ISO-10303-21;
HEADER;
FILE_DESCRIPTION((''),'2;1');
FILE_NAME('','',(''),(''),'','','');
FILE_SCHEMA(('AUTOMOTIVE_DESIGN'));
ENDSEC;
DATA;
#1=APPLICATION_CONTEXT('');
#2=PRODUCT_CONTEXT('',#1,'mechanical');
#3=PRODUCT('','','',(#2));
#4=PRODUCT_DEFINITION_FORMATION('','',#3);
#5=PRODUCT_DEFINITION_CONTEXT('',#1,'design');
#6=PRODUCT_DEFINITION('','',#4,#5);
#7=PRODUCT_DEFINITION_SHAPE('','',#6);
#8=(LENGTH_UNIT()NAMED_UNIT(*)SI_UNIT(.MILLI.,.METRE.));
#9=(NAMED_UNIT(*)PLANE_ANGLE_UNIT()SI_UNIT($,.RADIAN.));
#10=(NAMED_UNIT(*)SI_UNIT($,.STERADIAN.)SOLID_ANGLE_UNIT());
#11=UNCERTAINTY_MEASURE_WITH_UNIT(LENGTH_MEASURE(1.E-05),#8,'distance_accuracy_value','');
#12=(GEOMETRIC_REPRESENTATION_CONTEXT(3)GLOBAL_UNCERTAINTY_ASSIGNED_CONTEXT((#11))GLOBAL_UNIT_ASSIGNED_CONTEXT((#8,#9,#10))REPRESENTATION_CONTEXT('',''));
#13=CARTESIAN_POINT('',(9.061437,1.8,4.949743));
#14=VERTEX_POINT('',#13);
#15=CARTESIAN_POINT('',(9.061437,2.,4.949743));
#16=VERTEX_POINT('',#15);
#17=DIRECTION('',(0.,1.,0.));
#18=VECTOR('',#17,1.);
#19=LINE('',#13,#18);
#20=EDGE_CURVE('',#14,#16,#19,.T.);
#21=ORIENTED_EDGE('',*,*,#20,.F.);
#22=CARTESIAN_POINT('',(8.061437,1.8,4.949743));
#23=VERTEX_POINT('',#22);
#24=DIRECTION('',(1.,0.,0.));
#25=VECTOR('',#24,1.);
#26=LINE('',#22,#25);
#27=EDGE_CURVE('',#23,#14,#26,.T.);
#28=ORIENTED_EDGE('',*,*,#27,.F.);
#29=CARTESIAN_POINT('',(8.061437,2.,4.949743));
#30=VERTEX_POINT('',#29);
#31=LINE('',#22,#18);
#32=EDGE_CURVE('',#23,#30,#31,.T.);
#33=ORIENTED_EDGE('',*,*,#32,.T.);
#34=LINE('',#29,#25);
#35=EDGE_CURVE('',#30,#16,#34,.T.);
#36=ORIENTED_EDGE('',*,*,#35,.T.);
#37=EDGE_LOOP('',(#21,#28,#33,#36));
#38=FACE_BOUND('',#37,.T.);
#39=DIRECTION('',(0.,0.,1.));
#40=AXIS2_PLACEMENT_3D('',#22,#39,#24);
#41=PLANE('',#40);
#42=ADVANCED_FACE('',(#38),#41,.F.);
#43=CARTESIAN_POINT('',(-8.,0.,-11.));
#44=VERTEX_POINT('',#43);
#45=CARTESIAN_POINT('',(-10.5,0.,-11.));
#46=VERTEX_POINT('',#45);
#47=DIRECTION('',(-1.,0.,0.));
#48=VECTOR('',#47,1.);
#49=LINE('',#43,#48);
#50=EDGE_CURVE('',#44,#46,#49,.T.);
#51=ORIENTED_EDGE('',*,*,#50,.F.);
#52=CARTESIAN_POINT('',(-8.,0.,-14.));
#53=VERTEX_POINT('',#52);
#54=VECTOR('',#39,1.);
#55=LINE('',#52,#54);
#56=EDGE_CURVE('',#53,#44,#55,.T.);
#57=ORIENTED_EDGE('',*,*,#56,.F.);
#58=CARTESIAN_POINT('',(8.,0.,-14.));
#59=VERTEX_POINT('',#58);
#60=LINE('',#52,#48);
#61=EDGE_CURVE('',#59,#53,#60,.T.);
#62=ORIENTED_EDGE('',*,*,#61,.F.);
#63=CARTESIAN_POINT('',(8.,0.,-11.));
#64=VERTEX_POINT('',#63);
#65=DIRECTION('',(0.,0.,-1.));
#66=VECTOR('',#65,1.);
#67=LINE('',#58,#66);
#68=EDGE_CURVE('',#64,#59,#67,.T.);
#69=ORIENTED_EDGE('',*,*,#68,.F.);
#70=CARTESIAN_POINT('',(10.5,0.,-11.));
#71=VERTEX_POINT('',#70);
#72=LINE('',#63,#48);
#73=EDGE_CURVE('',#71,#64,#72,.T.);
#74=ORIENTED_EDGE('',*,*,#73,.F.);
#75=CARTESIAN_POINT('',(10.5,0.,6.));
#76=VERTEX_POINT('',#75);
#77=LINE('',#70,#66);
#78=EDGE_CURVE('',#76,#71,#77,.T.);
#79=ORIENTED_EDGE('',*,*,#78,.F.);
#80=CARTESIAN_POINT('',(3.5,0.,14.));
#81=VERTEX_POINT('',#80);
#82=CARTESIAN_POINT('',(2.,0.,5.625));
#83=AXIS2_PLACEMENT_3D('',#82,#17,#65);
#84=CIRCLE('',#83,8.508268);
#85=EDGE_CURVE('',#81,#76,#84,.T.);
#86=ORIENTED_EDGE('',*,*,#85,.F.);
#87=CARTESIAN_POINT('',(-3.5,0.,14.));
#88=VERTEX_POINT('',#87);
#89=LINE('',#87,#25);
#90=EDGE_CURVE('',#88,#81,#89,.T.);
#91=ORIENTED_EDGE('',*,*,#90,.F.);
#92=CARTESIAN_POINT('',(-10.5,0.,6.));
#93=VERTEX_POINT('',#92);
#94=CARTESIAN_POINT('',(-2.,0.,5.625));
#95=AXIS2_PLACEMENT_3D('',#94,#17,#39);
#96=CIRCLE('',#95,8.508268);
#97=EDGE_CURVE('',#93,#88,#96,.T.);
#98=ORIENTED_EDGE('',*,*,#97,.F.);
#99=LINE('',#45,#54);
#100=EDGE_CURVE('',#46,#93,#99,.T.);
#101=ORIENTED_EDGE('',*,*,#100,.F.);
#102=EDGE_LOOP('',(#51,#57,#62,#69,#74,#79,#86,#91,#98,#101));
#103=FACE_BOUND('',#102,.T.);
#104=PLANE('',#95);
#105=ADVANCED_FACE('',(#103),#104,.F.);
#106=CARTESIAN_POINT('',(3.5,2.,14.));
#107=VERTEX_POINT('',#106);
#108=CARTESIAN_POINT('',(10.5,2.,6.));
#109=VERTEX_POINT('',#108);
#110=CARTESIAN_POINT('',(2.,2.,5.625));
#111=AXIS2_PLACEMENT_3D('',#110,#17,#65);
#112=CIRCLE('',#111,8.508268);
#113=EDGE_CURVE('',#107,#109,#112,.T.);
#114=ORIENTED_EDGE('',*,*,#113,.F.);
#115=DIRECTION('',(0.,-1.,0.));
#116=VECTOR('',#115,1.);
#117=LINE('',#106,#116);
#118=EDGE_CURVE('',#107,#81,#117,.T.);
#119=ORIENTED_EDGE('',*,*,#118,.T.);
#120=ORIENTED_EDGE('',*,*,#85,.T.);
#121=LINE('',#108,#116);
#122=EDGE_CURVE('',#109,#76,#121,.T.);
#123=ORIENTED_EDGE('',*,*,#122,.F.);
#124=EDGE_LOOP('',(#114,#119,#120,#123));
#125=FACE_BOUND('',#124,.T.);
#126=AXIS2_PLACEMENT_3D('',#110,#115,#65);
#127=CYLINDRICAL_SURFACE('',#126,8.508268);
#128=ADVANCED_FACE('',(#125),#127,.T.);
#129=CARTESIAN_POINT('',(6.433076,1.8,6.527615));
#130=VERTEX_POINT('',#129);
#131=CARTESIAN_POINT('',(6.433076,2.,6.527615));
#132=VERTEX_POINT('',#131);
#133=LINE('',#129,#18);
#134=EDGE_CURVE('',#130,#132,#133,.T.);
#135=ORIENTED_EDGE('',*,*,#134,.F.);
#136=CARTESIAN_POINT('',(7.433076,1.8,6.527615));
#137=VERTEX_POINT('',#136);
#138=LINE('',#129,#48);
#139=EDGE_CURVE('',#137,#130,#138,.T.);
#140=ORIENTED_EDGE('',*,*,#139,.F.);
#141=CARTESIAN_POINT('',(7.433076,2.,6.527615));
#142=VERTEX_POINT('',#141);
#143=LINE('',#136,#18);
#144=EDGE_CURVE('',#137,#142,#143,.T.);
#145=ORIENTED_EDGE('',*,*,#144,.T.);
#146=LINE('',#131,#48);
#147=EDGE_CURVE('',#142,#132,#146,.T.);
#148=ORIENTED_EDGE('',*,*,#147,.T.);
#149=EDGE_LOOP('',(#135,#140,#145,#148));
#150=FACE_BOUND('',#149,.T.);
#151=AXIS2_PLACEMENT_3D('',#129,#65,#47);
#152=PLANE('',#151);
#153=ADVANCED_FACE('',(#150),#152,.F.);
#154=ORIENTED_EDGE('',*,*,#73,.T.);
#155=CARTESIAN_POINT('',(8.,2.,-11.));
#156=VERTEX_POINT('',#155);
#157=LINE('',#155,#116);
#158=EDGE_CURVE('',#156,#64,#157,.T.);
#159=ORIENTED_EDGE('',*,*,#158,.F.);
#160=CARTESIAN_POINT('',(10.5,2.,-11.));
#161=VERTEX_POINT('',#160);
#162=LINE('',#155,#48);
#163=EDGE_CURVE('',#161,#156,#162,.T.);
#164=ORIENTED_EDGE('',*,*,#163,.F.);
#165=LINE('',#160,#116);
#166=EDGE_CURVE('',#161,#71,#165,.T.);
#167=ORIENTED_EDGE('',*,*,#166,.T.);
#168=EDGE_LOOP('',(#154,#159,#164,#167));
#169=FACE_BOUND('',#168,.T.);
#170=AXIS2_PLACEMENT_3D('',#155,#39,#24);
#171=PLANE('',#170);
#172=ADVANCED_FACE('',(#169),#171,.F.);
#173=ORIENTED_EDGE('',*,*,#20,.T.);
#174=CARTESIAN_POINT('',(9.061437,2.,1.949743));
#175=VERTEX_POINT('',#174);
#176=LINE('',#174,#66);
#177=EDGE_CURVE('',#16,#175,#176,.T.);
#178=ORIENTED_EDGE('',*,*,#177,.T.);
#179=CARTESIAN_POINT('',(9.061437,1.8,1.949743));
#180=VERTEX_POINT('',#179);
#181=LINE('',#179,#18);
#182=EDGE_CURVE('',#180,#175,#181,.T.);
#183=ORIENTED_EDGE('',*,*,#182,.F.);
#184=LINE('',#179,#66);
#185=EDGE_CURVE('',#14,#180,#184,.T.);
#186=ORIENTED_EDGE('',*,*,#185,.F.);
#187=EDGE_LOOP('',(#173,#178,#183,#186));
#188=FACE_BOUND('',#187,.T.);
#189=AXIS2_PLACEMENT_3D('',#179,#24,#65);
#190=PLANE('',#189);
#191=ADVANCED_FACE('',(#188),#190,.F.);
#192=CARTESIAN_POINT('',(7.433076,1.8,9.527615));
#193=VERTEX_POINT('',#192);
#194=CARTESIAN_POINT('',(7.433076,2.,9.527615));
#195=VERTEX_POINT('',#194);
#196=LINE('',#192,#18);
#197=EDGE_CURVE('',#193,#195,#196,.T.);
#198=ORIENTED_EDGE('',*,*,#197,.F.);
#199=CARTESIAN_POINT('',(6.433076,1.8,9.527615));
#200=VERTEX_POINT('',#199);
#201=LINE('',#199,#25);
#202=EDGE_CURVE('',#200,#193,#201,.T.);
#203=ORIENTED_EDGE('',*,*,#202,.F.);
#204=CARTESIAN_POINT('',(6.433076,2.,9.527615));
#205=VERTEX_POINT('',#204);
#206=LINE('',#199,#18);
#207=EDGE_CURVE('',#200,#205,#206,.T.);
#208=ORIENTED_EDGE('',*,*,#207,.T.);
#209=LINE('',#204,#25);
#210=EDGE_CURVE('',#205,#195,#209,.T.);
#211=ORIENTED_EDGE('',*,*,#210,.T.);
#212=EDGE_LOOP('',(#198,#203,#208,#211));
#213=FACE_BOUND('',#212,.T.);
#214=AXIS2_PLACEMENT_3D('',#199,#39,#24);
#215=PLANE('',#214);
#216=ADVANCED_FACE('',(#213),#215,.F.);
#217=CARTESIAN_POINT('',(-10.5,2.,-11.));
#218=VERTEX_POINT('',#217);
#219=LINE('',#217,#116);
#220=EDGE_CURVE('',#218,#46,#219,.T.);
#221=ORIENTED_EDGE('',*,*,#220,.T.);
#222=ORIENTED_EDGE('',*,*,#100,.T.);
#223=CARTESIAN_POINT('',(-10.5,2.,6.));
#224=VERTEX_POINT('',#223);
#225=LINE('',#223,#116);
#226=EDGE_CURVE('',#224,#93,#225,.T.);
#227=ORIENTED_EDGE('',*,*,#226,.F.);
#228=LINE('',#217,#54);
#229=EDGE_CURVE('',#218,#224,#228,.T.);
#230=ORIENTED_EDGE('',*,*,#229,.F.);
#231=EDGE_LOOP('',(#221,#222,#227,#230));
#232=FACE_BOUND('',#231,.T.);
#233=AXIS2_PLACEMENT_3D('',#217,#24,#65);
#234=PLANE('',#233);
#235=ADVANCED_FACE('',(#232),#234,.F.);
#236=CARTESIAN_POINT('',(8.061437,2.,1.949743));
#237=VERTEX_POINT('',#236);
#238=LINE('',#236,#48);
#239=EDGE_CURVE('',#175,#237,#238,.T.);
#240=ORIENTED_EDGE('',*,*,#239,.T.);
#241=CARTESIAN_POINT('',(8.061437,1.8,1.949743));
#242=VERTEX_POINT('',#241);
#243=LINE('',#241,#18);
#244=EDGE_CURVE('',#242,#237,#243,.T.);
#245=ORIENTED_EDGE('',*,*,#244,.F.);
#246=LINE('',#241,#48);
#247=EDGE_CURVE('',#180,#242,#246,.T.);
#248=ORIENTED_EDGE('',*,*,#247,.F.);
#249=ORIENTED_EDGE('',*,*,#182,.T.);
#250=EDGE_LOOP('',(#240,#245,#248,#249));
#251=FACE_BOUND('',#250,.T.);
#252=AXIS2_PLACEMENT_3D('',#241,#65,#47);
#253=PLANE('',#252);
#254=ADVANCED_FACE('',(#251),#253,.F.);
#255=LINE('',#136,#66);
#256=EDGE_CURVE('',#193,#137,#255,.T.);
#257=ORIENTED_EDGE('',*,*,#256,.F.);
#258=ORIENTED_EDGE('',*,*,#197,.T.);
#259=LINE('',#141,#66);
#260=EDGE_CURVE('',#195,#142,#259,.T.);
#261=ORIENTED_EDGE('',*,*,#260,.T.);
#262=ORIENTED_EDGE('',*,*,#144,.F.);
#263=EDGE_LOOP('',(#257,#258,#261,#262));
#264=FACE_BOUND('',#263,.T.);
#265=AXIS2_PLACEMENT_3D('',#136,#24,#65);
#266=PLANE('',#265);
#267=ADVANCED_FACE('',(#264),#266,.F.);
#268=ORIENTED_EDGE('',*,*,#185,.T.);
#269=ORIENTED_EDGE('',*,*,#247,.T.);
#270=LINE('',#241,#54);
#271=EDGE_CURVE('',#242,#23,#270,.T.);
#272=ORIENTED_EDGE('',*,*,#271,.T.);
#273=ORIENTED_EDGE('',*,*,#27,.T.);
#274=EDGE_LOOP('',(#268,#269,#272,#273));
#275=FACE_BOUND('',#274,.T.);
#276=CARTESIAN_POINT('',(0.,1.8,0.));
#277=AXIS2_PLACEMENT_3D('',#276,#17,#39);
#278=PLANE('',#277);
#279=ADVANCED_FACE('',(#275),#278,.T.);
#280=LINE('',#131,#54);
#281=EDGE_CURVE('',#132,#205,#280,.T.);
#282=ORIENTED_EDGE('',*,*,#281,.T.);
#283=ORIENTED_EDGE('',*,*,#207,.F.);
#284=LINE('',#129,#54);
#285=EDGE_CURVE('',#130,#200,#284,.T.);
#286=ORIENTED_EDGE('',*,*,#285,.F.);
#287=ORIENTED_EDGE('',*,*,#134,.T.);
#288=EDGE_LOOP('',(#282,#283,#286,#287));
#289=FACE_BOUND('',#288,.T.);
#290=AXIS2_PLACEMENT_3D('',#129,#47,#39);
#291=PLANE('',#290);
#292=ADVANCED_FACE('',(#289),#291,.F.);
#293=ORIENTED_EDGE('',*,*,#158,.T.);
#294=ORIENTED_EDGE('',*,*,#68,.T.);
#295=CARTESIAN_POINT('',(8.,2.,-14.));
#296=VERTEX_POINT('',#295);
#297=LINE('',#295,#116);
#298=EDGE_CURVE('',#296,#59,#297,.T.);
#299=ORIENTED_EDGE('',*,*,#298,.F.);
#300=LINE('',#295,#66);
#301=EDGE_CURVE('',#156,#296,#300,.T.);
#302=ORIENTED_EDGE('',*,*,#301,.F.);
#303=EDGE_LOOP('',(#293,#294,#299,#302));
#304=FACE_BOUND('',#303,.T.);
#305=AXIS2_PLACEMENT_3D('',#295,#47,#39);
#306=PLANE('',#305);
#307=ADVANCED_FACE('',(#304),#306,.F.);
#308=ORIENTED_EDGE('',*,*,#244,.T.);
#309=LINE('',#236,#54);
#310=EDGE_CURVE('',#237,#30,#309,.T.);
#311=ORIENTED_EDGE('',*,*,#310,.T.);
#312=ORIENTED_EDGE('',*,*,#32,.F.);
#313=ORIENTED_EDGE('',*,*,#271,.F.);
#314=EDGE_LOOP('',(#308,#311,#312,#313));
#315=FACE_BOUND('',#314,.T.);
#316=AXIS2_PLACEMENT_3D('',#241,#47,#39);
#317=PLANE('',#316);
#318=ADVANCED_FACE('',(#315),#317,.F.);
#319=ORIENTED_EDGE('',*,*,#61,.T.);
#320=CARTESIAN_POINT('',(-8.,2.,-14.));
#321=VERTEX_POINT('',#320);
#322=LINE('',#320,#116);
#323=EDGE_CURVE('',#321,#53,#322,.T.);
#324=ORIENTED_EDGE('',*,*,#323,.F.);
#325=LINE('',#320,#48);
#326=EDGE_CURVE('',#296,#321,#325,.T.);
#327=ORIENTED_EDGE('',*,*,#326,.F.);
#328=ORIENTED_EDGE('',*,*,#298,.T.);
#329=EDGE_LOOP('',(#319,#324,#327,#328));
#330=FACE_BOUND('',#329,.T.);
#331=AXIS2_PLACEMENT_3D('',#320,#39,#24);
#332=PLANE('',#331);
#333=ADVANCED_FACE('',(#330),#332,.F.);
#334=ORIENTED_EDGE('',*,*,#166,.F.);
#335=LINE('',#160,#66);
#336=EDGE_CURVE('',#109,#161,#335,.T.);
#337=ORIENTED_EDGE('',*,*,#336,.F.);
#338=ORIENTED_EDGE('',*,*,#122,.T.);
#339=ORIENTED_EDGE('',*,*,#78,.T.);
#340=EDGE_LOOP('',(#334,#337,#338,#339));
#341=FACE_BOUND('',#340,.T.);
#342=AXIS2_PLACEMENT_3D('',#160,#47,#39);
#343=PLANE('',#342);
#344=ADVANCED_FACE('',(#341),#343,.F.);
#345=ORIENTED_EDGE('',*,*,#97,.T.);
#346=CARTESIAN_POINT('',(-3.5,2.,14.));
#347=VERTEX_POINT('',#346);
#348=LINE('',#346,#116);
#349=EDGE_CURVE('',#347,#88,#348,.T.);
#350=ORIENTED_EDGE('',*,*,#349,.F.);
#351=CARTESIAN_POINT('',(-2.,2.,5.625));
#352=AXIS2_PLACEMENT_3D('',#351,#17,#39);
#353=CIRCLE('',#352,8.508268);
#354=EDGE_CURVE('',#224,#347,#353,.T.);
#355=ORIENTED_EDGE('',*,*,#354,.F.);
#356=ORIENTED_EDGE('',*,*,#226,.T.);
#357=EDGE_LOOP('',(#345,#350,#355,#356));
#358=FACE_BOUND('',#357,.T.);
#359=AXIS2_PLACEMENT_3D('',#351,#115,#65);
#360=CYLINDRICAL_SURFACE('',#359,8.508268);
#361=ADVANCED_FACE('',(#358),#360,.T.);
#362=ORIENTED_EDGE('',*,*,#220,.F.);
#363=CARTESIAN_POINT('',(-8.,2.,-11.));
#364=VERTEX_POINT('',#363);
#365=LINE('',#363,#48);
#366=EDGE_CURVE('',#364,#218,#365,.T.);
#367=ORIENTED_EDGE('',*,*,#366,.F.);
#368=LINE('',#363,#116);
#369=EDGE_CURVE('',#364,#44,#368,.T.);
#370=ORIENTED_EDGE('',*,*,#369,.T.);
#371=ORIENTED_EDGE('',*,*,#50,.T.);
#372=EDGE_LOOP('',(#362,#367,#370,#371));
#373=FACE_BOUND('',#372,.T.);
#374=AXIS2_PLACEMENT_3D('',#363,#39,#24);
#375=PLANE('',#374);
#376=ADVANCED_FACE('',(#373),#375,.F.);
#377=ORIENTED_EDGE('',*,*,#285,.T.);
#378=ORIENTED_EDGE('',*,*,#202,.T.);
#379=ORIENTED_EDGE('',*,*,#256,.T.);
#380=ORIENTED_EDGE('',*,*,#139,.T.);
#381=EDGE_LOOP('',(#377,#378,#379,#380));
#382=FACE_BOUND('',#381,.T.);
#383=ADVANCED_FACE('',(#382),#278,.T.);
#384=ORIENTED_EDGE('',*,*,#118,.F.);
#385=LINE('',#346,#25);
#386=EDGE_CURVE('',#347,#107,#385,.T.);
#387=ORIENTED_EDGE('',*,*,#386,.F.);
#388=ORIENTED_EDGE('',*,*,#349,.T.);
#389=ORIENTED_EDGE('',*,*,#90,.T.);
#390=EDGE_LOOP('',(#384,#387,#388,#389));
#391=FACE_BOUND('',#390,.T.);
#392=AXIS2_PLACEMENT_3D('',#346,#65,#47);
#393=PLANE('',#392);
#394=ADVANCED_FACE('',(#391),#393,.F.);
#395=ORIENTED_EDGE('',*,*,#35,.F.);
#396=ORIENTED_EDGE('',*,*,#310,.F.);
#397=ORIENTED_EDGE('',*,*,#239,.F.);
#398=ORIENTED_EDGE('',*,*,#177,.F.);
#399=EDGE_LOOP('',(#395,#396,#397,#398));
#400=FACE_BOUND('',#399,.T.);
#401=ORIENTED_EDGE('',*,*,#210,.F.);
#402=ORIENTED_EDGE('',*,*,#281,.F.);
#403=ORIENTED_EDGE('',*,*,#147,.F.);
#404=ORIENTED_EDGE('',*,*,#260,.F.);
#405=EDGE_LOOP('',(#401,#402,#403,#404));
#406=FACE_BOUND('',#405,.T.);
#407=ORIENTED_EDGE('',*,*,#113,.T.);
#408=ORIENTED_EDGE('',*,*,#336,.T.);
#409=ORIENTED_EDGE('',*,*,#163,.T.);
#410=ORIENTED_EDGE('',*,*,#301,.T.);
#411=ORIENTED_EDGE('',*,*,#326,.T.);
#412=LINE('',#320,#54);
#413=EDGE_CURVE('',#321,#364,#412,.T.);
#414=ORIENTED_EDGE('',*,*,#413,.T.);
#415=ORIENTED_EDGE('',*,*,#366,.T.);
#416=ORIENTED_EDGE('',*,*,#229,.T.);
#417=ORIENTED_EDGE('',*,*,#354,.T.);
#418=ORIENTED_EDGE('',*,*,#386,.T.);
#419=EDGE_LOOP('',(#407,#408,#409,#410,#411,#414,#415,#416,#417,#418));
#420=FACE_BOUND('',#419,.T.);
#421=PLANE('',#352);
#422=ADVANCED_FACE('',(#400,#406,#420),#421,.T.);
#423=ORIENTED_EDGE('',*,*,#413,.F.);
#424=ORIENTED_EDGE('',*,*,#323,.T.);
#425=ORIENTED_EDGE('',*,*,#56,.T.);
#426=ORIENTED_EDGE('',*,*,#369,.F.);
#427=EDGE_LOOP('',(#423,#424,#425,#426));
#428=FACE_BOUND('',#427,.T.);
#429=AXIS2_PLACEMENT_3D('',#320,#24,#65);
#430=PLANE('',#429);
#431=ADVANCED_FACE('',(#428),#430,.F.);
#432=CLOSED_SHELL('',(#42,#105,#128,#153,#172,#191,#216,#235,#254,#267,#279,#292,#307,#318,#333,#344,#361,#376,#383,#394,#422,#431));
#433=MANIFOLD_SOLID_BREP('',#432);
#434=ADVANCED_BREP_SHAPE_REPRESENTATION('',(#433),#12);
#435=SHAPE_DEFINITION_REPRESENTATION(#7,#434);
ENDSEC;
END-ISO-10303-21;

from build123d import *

# Parameters (mm, degrees)
EXTRUDE_1_DEPTH     = 2
SKETCH_2_W          = 1
SKETCH_2_H          = 3
CUT_EXTRUDE_1_DEPTH = 0.2


with BuildPart() as part:
    # 草图1 → 凸台-拉伸1 (new body)
    with BuildSketch(Plane(origin=(0, 0, 0), x_dir=(1, 0, 0), z_dir=(0, 1, 0))):
        with BuildLine():
            Line((-8, 14), (8, 14))
            Line((8, 14), (8, 11))
            Line((8, 11), (10.5, 11))
            Line((10.5, 11), (10.5, -6))
            ThreePointArc((10.5, -6), (8.403124237, -11.227733708), (3.5, -14))
            Line((3.5, -14), (-3.5, -14))
            ThreePointArc((-3.5, -14), (-8.403124237, -11.227733708), (-10.5, -6))
            Line((-10.5, -6), (-10.5, 11))
            Line((-10.5, 11), (-8, 11))
            Line((-8, 11), (-8, 14))
        make_face()
    extrude(amount=EXTRUDE_1_DEPTH)

    # 草图2 → 切除-拉伸1 (cut)
    with BuildSketch(Plane(origin=(0, 2, 0), x_dir=(1, 0, 0), z_dir=(0, 1, 0))):
        with Locations((8.561436861, -3.449742869)):
            Rectangle(SKETCH_2_W, SKETCH_2_H)
        with Locations((6.933076326, -8.027614823)):
            Rectangle(SKETCH_2_W, SKETCH_2_H)
    extrude(amount=-CUT_EXTRUDE_1_DEPTH, mode=Mode.SUBTRACT)


solid = part.part
